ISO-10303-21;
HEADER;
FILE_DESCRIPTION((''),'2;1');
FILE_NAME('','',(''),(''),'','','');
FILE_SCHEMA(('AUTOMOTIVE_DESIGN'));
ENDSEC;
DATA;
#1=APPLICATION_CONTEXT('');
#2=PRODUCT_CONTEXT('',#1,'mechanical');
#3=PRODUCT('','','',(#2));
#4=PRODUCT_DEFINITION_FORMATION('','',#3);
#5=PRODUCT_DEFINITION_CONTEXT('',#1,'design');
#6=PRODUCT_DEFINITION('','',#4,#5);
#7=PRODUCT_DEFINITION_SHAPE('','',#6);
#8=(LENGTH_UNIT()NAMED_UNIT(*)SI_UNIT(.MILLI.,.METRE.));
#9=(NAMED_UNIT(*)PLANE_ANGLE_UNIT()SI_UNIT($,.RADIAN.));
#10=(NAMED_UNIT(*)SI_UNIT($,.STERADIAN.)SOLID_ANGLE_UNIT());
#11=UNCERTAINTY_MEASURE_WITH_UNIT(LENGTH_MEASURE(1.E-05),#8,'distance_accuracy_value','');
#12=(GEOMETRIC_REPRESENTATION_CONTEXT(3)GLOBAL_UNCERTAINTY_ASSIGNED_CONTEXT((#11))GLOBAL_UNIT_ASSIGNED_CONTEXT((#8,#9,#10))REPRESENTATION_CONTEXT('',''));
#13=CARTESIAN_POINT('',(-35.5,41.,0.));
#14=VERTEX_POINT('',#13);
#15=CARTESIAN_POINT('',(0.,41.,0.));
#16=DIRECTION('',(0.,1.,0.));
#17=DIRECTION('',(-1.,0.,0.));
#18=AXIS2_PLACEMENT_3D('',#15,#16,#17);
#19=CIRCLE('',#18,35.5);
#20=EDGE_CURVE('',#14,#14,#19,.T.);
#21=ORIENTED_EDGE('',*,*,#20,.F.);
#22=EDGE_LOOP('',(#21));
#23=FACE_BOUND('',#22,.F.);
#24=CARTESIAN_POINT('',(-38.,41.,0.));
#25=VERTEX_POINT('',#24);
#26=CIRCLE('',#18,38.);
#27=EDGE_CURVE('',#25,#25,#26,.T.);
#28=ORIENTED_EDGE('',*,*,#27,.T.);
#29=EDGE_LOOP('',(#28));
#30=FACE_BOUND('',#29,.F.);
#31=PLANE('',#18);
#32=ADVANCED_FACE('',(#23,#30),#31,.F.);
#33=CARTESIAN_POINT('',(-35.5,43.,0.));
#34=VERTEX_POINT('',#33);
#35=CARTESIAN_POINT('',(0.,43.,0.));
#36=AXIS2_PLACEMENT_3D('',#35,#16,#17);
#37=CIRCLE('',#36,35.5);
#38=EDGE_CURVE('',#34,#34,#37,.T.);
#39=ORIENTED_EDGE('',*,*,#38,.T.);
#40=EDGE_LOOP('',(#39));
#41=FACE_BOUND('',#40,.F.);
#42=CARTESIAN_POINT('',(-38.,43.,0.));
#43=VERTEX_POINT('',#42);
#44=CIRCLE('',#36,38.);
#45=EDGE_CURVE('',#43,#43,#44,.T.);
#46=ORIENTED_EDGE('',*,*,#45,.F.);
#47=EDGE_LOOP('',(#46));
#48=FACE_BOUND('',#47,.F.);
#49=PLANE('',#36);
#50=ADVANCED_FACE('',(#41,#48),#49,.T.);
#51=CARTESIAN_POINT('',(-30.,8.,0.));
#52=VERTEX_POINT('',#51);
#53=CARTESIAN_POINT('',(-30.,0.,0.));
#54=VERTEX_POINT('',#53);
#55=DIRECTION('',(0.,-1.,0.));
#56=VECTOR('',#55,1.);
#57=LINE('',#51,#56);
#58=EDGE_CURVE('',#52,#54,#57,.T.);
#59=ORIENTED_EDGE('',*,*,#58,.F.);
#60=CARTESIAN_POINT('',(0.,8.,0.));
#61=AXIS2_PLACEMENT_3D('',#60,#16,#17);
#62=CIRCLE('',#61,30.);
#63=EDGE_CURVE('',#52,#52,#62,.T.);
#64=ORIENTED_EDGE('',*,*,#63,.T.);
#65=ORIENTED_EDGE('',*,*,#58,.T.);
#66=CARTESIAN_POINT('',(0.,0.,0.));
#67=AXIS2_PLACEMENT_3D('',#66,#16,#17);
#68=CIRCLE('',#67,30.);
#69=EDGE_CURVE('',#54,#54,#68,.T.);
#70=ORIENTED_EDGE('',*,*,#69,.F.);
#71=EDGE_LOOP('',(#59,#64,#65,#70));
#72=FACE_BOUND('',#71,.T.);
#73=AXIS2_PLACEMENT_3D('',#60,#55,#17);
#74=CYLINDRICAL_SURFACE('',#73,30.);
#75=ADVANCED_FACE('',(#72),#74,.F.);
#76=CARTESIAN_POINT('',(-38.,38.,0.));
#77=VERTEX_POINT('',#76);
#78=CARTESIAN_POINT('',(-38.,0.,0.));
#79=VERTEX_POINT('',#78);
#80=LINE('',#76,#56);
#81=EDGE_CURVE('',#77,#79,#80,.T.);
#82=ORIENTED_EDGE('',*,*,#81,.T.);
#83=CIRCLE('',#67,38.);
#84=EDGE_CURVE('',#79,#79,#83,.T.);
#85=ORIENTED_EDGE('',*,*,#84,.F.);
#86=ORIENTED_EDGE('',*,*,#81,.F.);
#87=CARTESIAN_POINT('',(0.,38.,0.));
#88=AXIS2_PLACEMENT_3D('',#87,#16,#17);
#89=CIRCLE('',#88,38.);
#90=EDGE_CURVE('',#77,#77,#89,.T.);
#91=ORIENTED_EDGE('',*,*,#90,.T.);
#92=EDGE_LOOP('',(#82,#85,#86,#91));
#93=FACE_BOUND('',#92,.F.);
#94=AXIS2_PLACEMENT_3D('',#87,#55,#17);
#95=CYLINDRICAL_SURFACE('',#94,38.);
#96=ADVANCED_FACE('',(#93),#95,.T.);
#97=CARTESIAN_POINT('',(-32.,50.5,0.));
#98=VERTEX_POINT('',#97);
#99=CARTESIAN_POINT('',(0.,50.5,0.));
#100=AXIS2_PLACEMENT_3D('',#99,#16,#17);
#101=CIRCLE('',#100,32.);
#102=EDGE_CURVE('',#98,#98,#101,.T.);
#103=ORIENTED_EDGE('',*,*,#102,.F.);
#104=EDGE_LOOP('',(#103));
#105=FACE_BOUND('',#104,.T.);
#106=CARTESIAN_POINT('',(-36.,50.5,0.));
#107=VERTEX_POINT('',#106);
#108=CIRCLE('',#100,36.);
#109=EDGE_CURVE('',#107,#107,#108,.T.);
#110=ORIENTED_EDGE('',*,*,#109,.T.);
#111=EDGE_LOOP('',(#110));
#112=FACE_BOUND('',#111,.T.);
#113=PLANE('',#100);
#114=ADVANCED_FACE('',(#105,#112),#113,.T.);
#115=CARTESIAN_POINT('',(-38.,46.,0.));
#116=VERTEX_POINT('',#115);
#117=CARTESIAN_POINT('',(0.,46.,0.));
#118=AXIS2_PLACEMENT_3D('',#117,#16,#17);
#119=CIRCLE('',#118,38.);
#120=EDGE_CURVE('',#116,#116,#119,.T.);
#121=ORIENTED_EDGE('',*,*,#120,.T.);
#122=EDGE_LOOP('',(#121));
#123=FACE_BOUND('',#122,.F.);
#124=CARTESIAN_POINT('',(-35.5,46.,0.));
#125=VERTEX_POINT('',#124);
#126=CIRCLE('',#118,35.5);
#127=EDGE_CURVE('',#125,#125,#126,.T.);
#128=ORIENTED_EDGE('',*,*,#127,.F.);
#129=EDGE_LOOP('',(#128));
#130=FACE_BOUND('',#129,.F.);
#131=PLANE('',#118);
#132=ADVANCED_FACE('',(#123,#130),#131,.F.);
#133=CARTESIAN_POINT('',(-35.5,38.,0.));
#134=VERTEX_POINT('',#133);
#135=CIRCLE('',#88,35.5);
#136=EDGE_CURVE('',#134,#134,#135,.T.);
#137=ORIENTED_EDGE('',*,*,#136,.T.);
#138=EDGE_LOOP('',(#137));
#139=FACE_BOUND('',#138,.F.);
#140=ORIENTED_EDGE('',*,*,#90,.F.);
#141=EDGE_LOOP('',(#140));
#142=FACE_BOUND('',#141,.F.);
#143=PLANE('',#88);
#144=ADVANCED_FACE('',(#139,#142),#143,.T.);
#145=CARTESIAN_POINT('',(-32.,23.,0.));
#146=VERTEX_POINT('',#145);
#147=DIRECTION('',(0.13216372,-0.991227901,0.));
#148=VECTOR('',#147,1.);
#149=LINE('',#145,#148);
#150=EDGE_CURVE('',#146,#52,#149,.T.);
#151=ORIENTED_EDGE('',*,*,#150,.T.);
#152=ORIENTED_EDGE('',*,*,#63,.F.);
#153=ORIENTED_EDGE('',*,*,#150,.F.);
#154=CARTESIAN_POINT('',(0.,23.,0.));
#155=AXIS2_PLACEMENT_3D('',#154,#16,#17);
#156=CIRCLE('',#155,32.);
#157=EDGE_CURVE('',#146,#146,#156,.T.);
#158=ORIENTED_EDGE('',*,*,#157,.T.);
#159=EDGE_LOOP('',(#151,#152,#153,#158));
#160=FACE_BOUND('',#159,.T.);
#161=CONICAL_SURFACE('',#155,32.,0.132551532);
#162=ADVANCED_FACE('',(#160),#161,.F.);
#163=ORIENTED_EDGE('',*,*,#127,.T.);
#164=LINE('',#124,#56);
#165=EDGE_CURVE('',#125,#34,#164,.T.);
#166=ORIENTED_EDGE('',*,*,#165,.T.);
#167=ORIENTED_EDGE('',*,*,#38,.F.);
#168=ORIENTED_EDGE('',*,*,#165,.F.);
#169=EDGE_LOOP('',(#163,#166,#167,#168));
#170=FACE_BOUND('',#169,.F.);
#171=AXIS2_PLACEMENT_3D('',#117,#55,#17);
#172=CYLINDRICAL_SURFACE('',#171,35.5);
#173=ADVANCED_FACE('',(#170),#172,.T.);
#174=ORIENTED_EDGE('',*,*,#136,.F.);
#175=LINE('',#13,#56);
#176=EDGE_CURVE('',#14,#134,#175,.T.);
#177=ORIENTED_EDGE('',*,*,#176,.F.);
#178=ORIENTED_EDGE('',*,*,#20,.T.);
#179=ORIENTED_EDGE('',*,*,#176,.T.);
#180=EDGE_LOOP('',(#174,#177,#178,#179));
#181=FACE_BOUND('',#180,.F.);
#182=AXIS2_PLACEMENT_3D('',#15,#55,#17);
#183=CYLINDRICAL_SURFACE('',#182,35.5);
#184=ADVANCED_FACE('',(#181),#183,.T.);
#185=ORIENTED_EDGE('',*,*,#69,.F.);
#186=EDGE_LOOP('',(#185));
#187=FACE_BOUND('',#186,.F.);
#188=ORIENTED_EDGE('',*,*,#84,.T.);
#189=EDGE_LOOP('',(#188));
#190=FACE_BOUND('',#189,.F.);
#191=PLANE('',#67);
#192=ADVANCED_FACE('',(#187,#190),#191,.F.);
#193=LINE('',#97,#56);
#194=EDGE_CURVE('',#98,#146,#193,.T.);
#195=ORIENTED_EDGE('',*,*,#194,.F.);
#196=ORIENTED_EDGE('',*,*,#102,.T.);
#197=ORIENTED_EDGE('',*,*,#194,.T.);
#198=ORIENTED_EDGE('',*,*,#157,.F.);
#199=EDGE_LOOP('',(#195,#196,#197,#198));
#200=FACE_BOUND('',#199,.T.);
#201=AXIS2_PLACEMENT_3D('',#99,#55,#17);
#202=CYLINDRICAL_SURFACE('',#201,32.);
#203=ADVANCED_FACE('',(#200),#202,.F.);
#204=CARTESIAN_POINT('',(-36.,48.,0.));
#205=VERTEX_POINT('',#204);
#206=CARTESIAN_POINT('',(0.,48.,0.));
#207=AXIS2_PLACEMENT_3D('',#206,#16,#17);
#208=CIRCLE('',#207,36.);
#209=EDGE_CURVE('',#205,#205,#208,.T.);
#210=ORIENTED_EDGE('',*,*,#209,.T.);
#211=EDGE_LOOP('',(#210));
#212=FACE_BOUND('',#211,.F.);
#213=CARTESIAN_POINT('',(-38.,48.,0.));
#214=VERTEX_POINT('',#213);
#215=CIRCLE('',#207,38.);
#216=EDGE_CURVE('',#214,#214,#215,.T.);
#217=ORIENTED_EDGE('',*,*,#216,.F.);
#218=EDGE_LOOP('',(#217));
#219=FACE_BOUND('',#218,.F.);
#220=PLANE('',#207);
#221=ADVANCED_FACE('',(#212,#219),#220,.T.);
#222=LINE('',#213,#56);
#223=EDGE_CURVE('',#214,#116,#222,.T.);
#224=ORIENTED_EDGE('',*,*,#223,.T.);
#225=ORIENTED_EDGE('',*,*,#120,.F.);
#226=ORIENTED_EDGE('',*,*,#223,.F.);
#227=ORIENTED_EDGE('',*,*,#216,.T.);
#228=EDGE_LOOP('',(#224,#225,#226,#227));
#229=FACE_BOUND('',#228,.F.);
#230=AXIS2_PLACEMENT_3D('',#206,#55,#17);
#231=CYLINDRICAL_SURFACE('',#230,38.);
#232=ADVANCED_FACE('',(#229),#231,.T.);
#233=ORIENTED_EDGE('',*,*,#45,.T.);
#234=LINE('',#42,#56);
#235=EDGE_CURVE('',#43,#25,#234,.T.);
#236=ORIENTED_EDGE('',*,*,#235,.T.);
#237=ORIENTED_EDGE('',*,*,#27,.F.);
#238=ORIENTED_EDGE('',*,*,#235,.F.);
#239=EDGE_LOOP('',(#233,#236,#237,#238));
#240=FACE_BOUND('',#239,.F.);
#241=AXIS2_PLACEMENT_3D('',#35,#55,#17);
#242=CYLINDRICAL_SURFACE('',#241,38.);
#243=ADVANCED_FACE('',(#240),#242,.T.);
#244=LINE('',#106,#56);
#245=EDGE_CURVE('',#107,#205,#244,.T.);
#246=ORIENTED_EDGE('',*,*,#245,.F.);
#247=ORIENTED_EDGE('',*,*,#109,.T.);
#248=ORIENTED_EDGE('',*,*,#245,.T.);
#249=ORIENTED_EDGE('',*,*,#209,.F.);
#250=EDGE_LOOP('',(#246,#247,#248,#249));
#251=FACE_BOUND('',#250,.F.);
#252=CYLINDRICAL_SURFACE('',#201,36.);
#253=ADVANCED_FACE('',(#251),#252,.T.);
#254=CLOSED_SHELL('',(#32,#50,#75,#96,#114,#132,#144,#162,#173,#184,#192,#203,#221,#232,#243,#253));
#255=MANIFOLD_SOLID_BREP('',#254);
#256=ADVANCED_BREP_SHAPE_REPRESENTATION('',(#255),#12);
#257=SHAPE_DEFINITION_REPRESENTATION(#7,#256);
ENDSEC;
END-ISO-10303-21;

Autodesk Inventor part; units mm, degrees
ref_plane "YZ Plane" through (0, 0, 0) normal (1, 0, 0) x (0, 1, 0)
ref_plane "XZ Plane" through (0, 0, 0) normal (0, 1, 0) x (-1, 0, 0)
ref_plane "XY Plane" through (0, 0, 0) normal (0, 0, 1) x (1, 0, 0)
sketch "Boceto1" plane through (0, 0, 0) normal (0, 0, 1) x (1, 0, 0)
  line L0 (-38, 0) -> (-30, 0)
  line L1 (-36, 50.5) -> (-32, 50.5)
  line L2 (-32, 50.5) -> (-32, 23)
  line L3 (-32, 23) -> (-30, 8)
  line L4 (-30, 8) -> (-30, 0)
  line L5 (-36, 50.5) -> (-36, 48)
  line L6 (-36, 48) -> (-38, 48)
  line L7 (-38, 48) -> (-38, 46)
  line L8 (-38, 46) -> (-35.5, 46)
  line L9 (-35.5, 46) -> (-35.5, 43)
  line L10 (-35.5, 43) -> (-38, 43)
  line L11 (-38, 43) -> (-38, 41)
  line L12 (-38, 41) -> (-35.5, 41)
  line L13 (-35.5, 41) -> (-35.5, 38)
  line L14 (-35.5, 38) -> (-38, 38)
  line L15 (-38, 38) -> (-38, 0)
  line L16 (0, -10.1) -> (0, 60.6) projected
  point P0 (0, 0)
  dimension "d1" = 8
  dimension "d2" = 38
  dimension "d3" = 2
  dimension "d4" = 8
  dimension "d5" = 15
  dimension "d6" = 4
  dimension "d26" = 2
  dimension "d27" = 2
  dimension "d28" = 2.5
  dimension "d29" = 2.5
  dimension "d30" = 3
  dimension "d31" = 2
  dimension "d32" = 3
  dimension "d34" = 15
revolve "Revolución1" add sketch "Boceto1" angle 360 about axis through (0, -10, 0) along (0, 1, 0)
properties part number "PARTE_EXTERIOR_TOBERA"
